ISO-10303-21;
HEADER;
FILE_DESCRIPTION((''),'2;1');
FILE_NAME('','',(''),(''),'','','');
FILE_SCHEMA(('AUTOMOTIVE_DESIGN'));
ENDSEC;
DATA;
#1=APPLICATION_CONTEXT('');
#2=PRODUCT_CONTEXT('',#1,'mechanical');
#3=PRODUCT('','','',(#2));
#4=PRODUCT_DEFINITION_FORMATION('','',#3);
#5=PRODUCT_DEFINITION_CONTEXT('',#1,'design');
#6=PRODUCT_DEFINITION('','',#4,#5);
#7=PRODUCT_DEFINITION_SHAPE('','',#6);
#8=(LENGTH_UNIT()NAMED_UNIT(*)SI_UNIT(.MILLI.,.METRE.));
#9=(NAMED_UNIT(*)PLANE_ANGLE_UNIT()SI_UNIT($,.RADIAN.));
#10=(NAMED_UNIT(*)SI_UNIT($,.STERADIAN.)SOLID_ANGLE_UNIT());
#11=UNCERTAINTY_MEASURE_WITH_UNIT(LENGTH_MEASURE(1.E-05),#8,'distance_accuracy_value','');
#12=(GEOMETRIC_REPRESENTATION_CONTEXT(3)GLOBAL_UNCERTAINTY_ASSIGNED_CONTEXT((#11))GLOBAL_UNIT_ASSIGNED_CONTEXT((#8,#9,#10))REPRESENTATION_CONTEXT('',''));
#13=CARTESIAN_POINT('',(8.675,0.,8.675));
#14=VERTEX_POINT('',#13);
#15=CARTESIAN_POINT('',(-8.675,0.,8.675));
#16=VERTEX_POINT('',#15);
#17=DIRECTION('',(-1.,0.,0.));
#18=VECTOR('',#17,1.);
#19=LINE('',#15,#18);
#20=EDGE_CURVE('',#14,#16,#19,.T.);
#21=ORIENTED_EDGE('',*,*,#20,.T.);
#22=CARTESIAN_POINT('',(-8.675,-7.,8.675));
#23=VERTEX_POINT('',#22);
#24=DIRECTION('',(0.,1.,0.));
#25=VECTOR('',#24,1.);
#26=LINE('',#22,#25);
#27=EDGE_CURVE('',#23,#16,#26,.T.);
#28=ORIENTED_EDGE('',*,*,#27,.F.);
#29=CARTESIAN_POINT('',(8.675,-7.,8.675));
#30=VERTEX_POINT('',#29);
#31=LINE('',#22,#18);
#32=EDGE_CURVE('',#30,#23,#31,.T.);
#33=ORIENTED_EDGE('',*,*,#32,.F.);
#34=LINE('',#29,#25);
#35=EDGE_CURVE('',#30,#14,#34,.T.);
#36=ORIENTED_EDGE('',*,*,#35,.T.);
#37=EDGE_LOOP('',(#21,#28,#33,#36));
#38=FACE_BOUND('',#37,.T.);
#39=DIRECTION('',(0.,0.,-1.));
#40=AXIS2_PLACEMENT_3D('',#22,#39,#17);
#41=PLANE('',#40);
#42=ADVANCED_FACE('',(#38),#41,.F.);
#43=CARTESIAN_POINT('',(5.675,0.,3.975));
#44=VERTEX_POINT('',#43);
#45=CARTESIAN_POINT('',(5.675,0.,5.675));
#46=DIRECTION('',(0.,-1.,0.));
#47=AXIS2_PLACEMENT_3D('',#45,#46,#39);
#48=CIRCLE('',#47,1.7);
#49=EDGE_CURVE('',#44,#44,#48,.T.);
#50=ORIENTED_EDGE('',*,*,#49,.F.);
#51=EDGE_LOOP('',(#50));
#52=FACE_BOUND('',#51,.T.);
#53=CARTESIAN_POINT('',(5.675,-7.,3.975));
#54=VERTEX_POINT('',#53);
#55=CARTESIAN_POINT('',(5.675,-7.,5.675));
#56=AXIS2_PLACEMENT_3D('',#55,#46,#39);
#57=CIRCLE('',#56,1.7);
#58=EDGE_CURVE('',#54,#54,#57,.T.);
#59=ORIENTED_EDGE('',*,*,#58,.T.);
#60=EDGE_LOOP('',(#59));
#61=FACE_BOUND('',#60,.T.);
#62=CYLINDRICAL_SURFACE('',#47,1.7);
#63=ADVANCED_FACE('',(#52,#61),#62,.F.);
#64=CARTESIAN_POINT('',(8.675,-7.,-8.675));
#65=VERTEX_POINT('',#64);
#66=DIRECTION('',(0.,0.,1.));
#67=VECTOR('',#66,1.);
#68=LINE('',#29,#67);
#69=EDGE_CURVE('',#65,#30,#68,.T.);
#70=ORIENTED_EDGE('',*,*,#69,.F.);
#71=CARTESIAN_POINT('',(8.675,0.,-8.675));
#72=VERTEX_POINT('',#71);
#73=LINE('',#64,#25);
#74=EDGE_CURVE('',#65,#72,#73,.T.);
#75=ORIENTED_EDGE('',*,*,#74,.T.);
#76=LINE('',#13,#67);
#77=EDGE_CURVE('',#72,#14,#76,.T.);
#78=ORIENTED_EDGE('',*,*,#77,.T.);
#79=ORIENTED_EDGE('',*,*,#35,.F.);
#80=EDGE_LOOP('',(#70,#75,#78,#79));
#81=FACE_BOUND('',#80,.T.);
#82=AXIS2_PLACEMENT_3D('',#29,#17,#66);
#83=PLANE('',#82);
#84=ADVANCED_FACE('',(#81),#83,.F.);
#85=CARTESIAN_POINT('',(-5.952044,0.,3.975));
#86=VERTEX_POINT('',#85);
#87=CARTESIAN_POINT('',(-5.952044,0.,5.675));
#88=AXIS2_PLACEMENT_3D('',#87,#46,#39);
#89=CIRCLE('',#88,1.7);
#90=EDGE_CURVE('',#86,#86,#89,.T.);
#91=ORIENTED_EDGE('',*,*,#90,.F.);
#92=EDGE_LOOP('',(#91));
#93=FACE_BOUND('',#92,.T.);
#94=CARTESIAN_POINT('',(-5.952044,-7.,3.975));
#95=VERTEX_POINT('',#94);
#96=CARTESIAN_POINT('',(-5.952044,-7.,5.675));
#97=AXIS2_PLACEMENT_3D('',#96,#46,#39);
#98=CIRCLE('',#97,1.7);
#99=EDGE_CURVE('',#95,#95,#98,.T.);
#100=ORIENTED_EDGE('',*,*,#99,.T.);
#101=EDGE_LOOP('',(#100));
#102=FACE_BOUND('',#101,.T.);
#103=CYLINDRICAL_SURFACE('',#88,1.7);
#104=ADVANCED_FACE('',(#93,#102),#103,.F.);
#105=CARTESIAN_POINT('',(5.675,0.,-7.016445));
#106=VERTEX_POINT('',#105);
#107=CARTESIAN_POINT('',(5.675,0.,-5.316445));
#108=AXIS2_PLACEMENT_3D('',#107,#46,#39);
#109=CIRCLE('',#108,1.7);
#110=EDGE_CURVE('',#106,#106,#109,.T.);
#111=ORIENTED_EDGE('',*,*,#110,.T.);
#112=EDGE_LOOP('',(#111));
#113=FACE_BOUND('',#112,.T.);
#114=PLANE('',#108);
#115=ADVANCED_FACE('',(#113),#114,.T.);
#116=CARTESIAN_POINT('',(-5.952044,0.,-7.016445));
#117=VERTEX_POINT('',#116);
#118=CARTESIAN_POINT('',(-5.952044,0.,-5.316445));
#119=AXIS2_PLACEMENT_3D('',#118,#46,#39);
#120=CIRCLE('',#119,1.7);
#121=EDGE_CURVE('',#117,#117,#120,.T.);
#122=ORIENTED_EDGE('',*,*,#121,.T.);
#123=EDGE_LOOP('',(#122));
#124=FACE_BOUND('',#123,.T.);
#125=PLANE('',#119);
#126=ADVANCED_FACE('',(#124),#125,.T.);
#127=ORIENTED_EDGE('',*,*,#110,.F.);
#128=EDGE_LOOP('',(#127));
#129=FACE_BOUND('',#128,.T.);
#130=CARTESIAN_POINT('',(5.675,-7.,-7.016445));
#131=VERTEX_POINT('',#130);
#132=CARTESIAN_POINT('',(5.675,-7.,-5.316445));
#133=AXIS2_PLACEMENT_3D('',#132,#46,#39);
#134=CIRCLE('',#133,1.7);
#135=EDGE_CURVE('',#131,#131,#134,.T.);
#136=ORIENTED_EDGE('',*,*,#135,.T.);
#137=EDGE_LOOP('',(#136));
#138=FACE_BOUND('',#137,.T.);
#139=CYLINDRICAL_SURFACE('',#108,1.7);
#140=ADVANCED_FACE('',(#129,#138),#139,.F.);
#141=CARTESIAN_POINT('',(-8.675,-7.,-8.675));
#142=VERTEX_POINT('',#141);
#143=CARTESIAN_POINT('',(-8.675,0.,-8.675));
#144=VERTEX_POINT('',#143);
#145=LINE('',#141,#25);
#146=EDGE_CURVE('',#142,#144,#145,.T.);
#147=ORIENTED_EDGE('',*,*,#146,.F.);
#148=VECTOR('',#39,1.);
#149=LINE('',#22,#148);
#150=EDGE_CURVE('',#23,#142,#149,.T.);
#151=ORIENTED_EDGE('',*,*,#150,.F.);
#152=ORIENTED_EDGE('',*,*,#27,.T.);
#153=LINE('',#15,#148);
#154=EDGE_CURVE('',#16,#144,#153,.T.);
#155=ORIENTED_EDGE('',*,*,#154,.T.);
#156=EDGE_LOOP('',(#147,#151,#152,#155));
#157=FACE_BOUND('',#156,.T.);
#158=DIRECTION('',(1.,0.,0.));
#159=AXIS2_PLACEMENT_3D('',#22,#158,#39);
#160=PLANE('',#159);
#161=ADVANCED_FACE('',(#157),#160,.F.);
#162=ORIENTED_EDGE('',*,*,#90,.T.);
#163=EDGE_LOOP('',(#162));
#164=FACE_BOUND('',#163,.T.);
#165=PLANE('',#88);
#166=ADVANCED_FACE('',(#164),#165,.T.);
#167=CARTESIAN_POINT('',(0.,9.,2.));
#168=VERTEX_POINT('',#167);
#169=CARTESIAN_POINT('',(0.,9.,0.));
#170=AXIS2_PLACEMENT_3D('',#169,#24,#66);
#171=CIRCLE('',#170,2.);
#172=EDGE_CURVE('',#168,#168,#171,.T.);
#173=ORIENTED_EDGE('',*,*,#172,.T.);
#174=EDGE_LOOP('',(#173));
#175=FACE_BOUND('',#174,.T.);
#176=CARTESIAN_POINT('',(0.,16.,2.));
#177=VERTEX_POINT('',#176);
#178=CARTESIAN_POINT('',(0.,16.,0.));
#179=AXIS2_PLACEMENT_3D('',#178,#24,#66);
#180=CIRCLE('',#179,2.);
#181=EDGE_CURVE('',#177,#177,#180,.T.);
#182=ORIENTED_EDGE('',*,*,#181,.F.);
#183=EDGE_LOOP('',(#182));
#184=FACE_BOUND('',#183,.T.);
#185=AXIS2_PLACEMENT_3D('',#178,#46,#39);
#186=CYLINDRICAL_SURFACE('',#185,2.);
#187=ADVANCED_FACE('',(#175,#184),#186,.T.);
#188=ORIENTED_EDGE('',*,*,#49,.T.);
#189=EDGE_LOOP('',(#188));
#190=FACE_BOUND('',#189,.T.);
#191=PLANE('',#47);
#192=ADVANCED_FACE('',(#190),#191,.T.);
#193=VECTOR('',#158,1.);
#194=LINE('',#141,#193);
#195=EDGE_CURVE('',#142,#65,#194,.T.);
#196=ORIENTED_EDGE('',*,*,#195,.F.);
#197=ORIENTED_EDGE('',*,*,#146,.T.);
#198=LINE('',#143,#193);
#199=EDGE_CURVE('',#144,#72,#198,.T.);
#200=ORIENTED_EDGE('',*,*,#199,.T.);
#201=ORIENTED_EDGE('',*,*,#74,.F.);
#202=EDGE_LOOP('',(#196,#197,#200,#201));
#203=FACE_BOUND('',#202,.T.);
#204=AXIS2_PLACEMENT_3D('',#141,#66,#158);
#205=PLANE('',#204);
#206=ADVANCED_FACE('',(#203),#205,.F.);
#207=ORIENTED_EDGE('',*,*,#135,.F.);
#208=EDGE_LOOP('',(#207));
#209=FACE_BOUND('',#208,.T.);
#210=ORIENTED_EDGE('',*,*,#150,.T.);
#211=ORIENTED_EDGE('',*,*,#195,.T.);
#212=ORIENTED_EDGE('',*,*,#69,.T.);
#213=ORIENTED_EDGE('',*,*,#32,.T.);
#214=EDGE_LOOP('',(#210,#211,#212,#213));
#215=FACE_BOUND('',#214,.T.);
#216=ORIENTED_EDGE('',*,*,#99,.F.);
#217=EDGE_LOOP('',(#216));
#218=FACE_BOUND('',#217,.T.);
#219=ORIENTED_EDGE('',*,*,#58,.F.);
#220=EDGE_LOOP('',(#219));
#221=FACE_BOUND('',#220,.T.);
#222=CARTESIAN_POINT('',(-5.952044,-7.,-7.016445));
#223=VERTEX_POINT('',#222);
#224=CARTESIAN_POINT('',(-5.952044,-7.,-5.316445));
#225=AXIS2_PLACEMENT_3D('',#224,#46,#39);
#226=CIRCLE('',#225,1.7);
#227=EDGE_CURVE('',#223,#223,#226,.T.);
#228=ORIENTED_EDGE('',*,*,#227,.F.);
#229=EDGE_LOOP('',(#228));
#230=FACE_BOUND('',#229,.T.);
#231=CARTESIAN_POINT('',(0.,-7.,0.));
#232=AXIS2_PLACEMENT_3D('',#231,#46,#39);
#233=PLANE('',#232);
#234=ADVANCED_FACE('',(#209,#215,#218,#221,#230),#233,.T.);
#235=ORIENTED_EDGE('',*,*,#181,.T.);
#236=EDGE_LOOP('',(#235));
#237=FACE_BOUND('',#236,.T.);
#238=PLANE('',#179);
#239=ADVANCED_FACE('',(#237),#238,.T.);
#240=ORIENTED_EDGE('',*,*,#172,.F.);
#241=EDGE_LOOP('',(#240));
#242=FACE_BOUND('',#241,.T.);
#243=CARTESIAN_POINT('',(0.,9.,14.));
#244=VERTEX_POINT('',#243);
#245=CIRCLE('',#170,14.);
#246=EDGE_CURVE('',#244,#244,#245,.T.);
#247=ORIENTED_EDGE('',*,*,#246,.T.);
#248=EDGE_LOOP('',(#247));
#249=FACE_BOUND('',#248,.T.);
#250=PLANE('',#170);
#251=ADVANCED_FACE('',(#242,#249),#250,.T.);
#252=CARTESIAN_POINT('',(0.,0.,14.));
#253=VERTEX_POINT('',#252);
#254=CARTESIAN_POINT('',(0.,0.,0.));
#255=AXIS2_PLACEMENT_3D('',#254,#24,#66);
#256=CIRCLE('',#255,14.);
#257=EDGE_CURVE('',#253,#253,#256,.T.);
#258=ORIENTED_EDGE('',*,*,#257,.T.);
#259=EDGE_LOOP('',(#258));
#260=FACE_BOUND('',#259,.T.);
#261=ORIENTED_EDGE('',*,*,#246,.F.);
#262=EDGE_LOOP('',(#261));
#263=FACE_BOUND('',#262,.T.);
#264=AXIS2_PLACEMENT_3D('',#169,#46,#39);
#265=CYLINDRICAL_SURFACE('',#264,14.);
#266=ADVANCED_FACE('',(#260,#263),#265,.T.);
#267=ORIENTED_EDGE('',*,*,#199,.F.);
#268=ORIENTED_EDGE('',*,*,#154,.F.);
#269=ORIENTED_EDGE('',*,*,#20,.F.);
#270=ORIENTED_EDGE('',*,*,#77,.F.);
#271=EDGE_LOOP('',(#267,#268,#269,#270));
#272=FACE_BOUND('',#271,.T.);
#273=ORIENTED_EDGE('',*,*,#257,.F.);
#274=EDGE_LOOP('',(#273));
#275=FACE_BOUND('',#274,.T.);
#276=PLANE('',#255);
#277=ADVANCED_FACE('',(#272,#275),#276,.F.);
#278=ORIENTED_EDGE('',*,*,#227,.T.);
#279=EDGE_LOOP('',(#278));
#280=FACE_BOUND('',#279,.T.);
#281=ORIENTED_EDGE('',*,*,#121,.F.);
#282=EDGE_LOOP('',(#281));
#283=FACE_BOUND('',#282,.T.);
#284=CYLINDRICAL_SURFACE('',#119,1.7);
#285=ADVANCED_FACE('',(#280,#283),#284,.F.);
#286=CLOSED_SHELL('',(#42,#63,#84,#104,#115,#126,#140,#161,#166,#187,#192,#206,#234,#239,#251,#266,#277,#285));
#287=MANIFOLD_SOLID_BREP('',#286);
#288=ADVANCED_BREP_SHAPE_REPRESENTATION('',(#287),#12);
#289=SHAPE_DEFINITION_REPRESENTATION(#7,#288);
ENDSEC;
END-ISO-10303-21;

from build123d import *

# Parameters (mm, degrees)
SKETCH1_R           = 14
BOSS_EXTRUDE1_DEPTH = 9
SKETCH3_W           = 17.35
SKETCH3_H           = 17.35
BOSS_EXTRUDE2_DEPTH = 7
SKETCH4_R           = 1.7
CUT_EXTRUDE1_DEPTH  = 7
SKETCH5_R           = 2
BOSS_EXTRUDE3_DEPTH = 7


with BuildPart() as part:
    # Sketch1 → Boss-Extrude1 (new body)
    with BuildSketch(Plane(origin=(0, 0, 0), x_dir=(1, 0, 0), z_dir=(0, 1, 0))):
        with Locations(Location((0, 0, 0), (0, 0, 270))):
            Circle(SKETCH1_R)
    extrude(amount=BOSS_EXTRUDE1_DEPTH)

    # Sketch3 → Boss-Extrude2 (add)
    with BuildSketch(Plane.XZ):
        Rectangle(SKETCH3_W, SKETCH3_H)
    extrude(amount=BOSS_EXTRUDE2_DEPTH)

    # Sketch4 → Cut-Extrude1 (cut)
    with BuildSketch(Plane.XZ.offset(7)):
        with Locations(Location((-5.952043792, 5.675, 0), (0, 0, 270))):
            Circle(SKETCH4_R)
        with Locations(Location((-5.952043792, -5.316444521, 0), (0, 0, 270))):
            Circle(SKETCH4_R)
        with Locations(Location((5.675, -5.316444521, 0), (0, 0, 270))):
            Circle(SKETCH4_R)
        with Locations(Location((5.675, 5.675, 0), (0, 0, 270))):
            Circle(SKETCH4_R)
    extrude(amount=-CUT_EXTRUDE1_DEPTH, mode=Mode.SUBTRACT)

    # Sketch5 → Boss-Extrude3 (add)
    with BuildSketch(Plane(origin=(0, 9, 0), x_dir=(1, 0, 0), z_dir=(0, 1, 0))):
        with Locations(Location((0, 0, 0), (0, 0, 270))):
            Circle(SKETCH5_R)
    extrude(amount=BOSS_EXTRUDE3_DEPTH)


solid = part.part
